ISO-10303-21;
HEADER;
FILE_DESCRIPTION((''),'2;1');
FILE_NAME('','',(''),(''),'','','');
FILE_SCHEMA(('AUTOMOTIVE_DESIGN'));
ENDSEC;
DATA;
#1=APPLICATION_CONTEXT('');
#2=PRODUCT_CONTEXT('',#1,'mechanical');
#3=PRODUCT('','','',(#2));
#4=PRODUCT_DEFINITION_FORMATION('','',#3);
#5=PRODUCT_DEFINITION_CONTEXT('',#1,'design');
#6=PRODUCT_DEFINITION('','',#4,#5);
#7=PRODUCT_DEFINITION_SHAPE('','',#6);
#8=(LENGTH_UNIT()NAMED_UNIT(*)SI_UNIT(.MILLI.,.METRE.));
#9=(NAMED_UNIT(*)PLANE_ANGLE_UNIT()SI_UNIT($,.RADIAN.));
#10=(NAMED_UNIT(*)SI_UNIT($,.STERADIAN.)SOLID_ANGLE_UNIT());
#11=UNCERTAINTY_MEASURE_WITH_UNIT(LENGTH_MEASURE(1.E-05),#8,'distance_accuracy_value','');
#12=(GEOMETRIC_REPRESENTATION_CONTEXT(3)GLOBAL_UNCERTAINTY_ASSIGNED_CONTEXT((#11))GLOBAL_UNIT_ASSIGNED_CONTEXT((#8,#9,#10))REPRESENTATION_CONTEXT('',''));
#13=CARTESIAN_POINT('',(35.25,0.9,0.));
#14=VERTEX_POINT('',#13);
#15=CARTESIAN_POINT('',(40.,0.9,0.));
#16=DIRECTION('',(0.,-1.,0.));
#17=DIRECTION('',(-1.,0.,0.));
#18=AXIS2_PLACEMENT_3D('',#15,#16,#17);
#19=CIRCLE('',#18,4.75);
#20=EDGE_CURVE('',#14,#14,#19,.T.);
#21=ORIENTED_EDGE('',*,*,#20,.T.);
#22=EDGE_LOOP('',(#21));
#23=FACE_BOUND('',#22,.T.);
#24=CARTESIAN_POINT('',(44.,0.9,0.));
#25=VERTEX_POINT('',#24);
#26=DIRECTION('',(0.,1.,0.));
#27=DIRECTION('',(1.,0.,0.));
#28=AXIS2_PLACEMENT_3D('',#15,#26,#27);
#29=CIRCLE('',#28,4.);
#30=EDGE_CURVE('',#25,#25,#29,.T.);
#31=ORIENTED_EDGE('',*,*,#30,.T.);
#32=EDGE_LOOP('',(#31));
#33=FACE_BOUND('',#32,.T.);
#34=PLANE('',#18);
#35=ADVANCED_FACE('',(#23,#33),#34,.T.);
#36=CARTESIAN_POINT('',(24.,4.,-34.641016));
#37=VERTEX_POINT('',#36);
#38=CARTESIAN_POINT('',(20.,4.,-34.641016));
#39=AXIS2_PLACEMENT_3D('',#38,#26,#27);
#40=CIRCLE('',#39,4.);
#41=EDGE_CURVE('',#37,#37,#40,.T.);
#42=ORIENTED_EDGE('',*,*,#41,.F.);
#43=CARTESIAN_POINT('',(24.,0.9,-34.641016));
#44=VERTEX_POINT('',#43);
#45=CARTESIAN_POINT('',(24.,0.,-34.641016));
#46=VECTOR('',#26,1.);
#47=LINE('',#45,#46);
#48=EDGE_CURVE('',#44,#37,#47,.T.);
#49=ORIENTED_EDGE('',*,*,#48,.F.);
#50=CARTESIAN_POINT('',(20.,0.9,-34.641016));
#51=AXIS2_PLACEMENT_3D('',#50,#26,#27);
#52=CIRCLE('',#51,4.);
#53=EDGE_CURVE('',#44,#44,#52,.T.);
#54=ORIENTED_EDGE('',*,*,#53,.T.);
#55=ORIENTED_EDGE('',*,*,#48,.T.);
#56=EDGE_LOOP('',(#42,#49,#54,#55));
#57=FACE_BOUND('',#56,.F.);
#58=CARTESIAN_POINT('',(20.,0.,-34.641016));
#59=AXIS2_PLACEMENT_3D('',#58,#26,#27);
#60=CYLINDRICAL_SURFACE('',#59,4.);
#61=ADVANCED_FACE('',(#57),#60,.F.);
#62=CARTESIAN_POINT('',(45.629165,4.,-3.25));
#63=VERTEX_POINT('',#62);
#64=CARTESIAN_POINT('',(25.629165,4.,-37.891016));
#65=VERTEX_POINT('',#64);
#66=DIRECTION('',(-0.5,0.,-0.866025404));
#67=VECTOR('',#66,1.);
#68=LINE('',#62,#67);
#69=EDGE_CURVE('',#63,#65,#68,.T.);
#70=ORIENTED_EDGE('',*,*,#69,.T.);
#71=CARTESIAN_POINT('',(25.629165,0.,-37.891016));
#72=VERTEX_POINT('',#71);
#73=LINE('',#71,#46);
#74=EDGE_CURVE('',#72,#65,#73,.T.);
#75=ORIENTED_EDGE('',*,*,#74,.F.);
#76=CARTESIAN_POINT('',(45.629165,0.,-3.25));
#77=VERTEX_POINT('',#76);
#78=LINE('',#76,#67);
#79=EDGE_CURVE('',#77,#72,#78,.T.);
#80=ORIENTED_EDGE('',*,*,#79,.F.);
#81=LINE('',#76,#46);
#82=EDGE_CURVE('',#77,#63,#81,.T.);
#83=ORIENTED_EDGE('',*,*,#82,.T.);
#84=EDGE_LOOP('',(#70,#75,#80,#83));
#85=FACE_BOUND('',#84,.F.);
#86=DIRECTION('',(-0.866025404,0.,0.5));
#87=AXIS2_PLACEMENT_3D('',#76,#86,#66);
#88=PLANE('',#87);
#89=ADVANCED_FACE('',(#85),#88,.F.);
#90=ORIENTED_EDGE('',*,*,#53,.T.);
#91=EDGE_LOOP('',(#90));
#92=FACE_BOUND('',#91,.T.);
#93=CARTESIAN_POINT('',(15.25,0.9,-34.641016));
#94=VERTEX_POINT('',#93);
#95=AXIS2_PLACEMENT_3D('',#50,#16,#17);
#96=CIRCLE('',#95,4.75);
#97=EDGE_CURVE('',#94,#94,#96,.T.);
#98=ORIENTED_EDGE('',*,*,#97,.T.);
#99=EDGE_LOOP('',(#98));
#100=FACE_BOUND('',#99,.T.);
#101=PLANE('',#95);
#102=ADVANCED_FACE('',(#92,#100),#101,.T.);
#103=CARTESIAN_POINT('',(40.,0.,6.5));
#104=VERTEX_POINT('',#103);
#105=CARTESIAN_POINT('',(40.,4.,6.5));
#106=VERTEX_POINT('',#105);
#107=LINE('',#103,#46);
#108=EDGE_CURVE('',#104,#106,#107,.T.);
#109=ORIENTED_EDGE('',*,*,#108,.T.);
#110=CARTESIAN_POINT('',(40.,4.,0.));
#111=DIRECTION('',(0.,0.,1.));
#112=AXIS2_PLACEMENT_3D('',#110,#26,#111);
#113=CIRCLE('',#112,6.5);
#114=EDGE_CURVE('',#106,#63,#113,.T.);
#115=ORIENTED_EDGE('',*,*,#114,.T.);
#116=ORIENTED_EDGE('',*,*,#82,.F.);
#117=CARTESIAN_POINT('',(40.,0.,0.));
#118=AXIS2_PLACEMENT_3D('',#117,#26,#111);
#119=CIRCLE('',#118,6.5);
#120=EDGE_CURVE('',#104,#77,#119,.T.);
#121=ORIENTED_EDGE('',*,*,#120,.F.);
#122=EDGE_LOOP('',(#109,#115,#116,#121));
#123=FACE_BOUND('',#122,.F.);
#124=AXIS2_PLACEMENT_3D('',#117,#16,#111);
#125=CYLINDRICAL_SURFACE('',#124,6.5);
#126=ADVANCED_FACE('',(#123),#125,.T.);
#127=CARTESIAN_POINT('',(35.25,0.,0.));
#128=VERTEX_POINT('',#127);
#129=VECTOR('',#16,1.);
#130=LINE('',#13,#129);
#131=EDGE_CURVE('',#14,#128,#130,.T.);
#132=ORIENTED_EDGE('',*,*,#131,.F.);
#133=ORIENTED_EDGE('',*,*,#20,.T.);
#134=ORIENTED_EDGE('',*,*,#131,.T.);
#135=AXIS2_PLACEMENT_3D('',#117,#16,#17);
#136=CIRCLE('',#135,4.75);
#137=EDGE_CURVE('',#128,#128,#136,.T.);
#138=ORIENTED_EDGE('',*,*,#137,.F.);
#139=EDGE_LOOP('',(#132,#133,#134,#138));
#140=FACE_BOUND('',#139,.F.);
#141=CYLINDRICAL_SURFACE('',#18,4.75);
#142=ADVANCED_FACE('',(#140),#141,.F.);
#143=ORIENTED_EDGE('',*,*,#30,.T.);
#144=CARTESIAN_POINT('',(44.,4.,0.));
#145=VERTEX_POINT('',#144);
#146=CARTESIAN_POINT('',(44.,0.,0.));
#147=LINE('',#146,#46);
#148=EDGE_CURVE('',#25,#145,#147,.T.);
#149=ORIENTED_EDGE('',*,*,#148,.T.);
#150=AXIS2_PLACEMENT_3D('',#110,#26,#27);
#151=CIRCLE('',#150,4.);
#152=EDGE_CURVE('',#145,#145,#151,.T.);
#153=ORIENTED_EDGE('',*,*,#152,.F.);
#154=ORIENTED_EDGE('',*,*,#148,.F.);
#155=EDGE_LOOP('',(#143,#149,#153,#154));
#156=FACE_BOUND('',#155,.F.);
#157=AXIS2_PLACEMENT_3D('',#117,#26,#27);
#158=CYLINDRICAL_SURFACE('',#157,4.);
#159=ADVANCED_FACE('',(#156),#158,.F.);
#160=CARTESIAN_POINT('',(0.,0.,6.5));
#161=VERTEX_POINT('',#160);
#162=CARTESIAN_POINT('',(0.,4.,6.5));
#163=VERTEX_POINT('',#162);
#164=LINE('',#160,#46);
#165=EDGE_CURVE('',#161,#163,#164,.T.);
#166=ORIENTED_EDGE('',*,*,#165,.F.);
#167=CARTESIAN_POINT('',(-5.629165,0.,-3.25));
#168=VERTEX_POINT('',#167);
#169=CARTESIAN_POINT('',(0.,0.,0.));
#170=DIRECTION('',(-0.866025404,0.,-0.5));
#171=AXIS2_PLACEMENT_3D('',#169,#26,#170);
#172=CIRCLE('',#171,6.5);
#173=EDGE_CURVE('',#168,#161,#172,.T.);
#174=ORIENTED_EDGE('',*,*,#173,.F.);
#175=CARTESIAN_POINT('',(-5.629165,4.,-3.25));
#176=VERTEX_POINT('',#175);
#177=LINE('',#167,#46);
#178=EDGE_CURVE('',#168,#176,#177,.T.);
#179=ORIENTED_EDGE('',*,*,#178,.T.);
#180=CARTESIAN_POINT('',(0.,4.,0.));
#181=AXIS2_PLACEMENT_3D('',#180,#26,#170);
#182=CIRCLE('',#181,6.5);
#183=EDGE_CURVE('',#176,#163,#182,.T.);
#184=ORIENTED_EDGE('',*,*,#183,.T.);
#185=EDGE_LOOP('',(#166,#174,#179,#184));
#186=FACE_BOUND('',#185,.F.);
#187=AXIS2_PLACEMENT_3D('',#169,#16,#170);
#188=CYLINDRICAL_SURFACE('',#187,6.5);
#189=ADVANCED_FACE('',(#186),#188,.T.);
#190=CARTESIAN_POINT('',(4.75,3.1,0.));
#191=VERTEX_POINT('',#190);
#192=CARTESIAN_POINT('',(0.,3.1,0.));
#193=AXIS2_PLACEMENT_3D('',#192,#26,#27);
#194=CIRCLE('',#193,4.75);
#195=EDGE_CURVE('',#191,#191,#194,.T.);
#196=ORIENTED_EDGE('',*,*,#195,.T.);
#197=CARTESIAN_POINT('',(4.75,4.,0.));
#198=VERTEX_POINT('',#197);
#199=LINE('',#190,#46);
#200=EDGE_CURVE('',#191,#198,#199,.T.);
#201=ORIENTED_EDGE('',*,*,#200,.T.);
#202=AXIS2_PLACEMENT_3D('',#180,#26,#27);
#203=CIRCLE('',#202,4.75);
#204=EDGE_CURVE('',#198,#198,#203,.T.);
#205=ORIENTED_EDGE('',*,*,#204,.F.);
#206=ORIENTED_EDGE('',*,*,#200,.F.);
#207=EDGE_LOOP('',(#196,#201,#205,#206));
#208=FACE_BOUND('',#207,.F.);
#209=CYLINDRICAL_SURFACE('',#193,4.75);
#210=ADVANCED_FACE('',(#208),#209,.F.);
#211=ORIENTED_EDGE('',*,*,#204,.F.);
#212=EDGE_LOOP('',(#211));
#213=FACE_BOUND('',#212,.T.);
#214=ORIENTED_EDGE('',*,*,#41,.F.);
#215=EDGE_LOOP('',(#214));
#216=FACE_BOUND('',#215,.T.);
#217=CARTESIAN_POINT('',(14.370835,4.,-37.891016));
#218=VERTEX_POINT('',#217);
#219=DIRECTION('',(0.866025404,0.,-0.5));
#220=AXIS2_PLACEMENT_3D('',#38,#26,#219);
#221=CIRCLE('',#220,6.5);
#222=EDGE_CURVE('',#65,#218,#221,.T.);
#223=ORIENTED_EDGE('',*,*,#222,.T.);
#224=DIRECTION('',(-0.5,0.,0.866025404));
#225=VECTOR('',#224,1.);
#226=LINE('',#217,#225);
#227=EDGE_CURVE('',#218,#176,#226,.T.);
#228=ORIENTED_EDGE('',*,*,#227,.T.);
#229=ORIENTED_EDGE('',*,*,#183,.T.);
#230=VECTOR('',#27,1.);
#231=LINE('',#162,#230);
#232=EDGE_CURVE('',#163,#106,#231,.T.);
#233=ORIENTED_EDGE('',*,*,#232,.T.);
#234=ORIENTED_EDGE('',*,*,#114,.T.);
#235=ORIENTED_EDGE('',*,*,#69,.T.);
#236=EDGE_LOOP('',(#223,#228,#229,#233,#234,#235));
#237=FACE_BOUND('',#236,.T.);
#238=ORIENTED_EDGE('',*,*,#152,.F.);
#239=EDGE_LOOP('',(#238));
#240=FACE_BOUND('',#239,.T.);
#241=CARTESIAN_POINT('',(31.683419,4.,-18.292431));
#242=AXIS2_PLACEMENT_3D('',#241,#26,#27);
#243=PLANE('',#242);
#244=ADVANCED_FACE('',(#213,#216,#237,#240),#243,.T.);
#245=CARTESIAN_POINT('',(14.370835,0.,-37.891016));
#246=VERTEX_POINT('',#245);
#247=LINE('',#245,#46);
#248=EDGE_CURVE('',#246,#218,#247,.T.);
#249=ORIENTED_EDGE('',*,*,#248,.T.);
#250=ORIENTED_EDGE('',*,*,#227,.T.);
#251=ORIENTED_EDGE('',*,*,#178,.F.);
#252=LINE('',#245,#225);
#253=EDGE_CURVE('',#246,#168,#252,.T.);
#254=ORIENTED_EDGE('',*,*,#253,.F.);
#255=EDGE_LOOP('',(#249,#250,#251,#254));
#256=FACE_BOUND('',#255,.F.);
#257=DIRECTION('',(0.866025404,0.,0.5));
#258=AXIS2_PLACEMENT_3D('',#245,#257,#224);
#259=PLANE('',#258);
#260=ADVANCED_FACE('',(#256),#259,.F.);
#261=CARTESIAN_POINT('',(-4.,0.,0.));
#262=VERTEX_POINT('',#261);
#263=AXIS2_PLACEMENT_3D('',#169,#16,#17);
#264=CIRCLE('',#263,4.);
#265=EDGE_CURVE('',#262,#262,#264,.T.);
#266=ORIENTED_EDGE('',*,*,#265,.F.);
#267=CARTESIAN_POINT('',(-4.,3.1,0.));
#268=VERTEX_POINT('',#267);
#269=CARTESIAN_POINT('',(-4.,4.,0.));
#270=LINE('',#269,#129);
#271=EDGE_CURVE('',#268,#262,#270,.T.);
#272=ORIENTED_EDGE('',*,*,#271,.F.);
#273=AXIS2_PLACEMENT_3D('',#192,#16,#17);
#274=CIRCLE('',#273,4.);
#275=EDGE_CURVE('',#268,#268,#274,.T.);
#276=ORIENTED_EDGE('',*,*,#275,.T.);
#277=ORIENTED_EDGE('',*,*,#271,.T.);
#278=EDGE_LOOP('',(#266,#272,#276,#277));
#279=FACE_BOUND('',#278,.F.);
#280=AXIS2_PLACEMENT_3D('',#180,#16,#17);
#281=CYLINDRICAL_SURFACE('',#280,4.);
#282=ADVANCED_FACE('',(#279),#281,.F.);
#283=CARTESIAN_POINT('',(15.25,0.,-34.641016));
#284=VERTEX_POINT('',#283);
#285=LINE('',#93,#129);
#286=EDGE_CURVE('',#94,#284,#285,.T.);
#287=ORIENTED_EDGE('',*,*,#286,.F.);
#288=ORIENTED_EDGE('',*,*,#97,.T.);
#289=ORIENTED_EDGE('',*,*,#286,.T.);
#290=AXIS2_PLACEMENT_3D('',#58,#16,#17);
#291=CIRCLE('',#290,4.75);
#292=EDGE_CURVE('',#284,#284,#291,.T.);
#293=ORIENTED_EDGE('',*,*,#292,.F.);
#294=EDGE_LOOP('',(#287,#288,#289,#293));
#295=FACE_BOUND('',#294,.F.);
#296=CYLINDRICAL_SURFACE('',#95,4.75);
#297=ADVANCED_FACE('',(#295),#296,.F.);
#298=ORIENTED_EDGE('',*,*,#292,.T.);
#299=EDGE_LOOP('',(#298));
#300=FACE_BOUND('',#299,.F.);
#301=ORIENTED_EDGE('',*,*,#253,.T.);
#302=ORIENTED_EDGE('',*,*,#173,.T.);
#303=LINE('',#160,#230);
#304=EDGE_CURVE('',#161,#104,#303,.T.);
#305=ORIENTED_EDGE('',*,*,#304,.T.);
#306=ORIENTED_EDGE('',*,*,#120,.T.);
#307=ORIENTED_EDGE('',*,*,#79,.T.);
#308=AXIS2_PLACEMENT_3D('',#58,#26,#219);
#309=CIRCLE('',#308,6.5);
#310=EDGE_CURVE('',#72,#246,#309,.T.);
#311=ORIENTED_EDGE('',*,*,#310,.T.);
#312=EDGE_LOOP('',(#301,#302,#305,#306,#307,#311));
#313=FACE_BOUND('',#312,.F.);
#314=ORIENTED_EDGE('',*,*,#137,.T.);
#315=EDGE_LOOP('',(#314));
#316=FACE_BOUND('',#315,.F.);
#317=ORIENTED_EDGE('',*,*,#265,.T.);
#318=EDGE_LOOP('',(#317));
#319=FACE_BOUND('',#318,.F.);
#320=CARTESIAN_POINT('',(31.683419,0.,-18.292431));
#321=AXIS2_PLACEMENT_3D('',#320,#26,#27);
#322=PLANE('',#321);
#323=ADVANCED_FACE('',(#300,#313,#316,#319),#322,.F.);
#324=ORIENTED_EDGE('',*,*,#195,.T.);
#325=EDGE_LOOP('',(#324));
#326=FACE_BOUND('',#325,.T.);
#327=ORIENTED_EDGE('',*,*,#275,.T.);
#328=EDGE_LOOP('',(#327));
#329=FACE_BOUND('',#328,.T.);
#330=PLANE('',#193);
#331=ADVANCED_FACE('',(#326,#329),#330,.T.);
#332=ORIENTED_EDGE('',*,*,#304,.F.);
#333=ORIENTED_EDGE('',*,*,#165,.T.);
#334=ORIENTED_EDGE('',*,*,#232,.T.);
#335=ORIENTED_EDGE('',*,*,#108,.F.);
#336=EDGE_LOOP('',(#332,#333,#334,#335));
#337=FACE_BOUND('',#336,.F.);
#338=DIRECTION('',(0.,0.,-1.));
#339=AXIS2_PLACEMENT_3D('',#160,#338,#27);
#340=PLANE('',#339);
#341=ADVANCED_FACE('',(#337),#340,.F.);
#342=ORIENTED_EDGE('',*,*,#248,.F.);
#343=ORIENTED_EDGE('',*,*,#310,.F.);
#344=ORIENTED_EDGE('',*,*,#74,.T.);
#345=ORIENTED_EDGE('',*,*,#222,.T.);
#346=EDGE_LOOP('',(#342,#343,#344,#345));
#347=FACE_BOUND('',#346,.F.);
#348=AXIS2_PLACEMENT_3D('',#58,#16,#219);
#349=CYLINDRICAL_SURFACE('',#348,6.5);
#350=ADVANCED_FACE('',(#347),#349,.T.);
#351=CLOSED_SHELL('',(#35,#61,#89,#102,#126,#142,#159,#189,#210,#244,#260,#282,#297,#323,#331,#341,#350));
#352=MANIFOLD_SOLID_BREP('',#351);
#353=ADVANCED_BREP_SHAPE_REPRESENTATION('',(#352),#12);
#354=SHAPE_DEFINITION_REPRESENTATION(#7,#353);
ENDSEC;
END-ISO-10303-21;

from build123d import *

# Parameters (mm, degrees)
EXTRUDE_1_DEPTH              = 4
HOLE_WIZARD_M5_1_D           = 8
HOLE_WIZARD_M5_1_DEPTH       = 12.4
HOLE_WIZARD_M5_1_CBORE_D     = 9.5
HOLE_WIZARD_M5_1_CBORE_DEPTH = 0.9
HOLE_WIZARD_M5_1_TIP         = 2.403442476
HOLE_WIZARD_M5_2_D           = 8
HOLE_WIZARD_M5_2_DEPTH       = 12.4
HOLE_WIZARD_M5_2_CBORE_D     = 9.5
HOLE_WIZARD_M5_2_CBORE_DEPTH = 0.9
HOLE_WIZARD_M5_2_TIP         = 2.403442476


with BuildPart() as part:
    # 草图2 → 凸台-拉伸1 (new body)
    with BuildSketch(Plane(origin=(0, 0, 0), x_dir=(1, 0, 0), z_dir=(0, 1, 0))):
        with BuildLine():
            Line((20, 21.641016151), (28.741669751, 6.5))
            Line((28.741669751, 6.5), (40, 6.5))
            ThreePointArc((40, 6.5), (43.25, 5.629165125), (45.629165125, 3.25))
            Line((45.629165125, 3.25), (25.629165125, 37.891016151))
            ThreePointArc((25.629165125, 37.891016151), (26.5, 34.641016151), (25.629165125, 31.391016151))
            Line((25.629165125, 31.391016151), (20, 21.641016151))
        make_face()
        with BuildLine():
            Line((28.741669751, 6.5), (11.258330249, 6.5))
            Line((11.258330249, 6.5), (5.629165125, -3.25))
            ThreePointArc((5.629165125, -3.25), (3.25, -5.629165125), (0, -6.5))
            Line((0, -6.5), (40, -6.5))
            ThreePointArc((40, -6.5), (36.75, -5.629165125), (34.370834875, -3.25))
            Line((34.370834875, -3.25), (28.741669751, 6.5))
        make_face()
        with BuildLine():
            Line((40, 6.5), (28.741669751, 6.5))
            Line((28.741669751, 6.5), (34.370834875, -3.25))
            ThreePointArc((34.370834875, -3.25), (36.75, -5.629165125), (40, -6.5))
            ThreePointArc((40, -6.5), (45.629165125, -3.25), (45.629165125, 3.25))
            ThreePointArc((45.629165125, 3.25), (43.25, 5.629165125), (40, 6.5))
        make_face()
        with BuildLine():
            ThreePointArc((-5.629165125, 3.25), (-3.25, 5.629165125), (0, 6.5))
            Line((0, 6.5), (11.258330249, 6.5))
            Line((11.258330249, 6.5), (20, 21.641016151))
            Line((20, 21.641016151), (14.370834875, 31.391016151))
            ThreePointArc((14.370834875, 31.391016151), (13.5, 34.641016151), (14.370834875, 37.891016151))
            Line((14.370834875, 37.891016151), (-5.629165125, 3.25))
        make_face()
        with BuildLine():
            Line((14.370834875, 31.391016151), (20, 21.641016151))
            Line((20, 21.641016151), (25.629165125, 31.391016151))
            ThreePointArc((25.629165125, 31.391016151), (26.5, 34.641016151), (25.629165125, 37.891016151))
            ThreePointArc((25.629165125, 37.891016151), (20, 41.141016151), (14.370834875, 37.891016151))
            ThreePointArc((14.370834875, 37.891016151), (13.5, 34.641016151), (14.370834875, 31.391016151))
        make_face()
        with BuildLine():
            Line((11.258330249, 6.5), (0, 6.5))
            ThreePointArc((0, 6.5), (-3.25, 5.629165125), (-5.629165125, 3.25))
            ThreePointArc((-5.629165125, 3.25), (-5.629165125, -3.25), (0, -6.5))
            ThreePointArc((0, -6.5), (3.25, -5.629165125), (5.629165125, -3.25))
            Line((5.629165125, -3.25), (11.258330249, 6.5))
        make_face()
        Polygon((20, 21.641016151), (11.258330249, 6.5), (28.741669751, 6.5), align=None)
    extrude(amount=EXTRUDE_1_DEPTH)

    # M5 六角头螺栓的柱形沉头孔1
    with Locations(Plane(origin=(0, 4, 0), x_dir=(1, 0, 0), z_dir=(0, 1, 0))):
        with Locations((0, 0)):
            CounterBoreHole(HOLE_WIZARD_M5_1_D / 2, HOLE_WIZARD_M5_1_CBORE_D / 2, HOLE_WIZARD_M5_1_CBORE_DEPTH, depth=HOLE_WIZARD_M5_1_DEPTH)
            with Locations((0, 0, -(HOLE_WIZARD_M5_1_DEPTH + HOLE_WIZARD_M5_1_TIP / 2))):  # 118° drill point
                Cone(0, HOLE_WIZARD_M5_1_D / 2, HOLE_WIZARD_M5_1_TIP, mode=Mode.SUBTRACT)

    # M5 六角头螺栓的柱形沉头孔2
    with Locations(Plane(origin=(0, 0, 0), x_dir=(-1, 0, 0), z_dir=(0, -1, 0))):
        with Locations((-40, 0), (-20, 34.641016151)):
            CounterBoreHole(HOLE_WIZARD_M5_2_D / 2, HOLE_WIZARD_M5_2_CBORE_D / 2, HOLE_WIZARD_M5_2_CBORE_DEPTH, depth=HOLE_WIZARD_M5_2_DEPTH)
            with Locations((0, 0, -(HOLE_WIZARD_M5_2_DEPTH + HOLE_WIZARD_M5_2_TIP / 2))):  # 118° drill point
                Cone(0, HOLE_WIZARD_M5_2_D / 2, HOLE_WIZARD_M5_2_TIP, mode=Mode.SUBTRACT)


solid = part.part
